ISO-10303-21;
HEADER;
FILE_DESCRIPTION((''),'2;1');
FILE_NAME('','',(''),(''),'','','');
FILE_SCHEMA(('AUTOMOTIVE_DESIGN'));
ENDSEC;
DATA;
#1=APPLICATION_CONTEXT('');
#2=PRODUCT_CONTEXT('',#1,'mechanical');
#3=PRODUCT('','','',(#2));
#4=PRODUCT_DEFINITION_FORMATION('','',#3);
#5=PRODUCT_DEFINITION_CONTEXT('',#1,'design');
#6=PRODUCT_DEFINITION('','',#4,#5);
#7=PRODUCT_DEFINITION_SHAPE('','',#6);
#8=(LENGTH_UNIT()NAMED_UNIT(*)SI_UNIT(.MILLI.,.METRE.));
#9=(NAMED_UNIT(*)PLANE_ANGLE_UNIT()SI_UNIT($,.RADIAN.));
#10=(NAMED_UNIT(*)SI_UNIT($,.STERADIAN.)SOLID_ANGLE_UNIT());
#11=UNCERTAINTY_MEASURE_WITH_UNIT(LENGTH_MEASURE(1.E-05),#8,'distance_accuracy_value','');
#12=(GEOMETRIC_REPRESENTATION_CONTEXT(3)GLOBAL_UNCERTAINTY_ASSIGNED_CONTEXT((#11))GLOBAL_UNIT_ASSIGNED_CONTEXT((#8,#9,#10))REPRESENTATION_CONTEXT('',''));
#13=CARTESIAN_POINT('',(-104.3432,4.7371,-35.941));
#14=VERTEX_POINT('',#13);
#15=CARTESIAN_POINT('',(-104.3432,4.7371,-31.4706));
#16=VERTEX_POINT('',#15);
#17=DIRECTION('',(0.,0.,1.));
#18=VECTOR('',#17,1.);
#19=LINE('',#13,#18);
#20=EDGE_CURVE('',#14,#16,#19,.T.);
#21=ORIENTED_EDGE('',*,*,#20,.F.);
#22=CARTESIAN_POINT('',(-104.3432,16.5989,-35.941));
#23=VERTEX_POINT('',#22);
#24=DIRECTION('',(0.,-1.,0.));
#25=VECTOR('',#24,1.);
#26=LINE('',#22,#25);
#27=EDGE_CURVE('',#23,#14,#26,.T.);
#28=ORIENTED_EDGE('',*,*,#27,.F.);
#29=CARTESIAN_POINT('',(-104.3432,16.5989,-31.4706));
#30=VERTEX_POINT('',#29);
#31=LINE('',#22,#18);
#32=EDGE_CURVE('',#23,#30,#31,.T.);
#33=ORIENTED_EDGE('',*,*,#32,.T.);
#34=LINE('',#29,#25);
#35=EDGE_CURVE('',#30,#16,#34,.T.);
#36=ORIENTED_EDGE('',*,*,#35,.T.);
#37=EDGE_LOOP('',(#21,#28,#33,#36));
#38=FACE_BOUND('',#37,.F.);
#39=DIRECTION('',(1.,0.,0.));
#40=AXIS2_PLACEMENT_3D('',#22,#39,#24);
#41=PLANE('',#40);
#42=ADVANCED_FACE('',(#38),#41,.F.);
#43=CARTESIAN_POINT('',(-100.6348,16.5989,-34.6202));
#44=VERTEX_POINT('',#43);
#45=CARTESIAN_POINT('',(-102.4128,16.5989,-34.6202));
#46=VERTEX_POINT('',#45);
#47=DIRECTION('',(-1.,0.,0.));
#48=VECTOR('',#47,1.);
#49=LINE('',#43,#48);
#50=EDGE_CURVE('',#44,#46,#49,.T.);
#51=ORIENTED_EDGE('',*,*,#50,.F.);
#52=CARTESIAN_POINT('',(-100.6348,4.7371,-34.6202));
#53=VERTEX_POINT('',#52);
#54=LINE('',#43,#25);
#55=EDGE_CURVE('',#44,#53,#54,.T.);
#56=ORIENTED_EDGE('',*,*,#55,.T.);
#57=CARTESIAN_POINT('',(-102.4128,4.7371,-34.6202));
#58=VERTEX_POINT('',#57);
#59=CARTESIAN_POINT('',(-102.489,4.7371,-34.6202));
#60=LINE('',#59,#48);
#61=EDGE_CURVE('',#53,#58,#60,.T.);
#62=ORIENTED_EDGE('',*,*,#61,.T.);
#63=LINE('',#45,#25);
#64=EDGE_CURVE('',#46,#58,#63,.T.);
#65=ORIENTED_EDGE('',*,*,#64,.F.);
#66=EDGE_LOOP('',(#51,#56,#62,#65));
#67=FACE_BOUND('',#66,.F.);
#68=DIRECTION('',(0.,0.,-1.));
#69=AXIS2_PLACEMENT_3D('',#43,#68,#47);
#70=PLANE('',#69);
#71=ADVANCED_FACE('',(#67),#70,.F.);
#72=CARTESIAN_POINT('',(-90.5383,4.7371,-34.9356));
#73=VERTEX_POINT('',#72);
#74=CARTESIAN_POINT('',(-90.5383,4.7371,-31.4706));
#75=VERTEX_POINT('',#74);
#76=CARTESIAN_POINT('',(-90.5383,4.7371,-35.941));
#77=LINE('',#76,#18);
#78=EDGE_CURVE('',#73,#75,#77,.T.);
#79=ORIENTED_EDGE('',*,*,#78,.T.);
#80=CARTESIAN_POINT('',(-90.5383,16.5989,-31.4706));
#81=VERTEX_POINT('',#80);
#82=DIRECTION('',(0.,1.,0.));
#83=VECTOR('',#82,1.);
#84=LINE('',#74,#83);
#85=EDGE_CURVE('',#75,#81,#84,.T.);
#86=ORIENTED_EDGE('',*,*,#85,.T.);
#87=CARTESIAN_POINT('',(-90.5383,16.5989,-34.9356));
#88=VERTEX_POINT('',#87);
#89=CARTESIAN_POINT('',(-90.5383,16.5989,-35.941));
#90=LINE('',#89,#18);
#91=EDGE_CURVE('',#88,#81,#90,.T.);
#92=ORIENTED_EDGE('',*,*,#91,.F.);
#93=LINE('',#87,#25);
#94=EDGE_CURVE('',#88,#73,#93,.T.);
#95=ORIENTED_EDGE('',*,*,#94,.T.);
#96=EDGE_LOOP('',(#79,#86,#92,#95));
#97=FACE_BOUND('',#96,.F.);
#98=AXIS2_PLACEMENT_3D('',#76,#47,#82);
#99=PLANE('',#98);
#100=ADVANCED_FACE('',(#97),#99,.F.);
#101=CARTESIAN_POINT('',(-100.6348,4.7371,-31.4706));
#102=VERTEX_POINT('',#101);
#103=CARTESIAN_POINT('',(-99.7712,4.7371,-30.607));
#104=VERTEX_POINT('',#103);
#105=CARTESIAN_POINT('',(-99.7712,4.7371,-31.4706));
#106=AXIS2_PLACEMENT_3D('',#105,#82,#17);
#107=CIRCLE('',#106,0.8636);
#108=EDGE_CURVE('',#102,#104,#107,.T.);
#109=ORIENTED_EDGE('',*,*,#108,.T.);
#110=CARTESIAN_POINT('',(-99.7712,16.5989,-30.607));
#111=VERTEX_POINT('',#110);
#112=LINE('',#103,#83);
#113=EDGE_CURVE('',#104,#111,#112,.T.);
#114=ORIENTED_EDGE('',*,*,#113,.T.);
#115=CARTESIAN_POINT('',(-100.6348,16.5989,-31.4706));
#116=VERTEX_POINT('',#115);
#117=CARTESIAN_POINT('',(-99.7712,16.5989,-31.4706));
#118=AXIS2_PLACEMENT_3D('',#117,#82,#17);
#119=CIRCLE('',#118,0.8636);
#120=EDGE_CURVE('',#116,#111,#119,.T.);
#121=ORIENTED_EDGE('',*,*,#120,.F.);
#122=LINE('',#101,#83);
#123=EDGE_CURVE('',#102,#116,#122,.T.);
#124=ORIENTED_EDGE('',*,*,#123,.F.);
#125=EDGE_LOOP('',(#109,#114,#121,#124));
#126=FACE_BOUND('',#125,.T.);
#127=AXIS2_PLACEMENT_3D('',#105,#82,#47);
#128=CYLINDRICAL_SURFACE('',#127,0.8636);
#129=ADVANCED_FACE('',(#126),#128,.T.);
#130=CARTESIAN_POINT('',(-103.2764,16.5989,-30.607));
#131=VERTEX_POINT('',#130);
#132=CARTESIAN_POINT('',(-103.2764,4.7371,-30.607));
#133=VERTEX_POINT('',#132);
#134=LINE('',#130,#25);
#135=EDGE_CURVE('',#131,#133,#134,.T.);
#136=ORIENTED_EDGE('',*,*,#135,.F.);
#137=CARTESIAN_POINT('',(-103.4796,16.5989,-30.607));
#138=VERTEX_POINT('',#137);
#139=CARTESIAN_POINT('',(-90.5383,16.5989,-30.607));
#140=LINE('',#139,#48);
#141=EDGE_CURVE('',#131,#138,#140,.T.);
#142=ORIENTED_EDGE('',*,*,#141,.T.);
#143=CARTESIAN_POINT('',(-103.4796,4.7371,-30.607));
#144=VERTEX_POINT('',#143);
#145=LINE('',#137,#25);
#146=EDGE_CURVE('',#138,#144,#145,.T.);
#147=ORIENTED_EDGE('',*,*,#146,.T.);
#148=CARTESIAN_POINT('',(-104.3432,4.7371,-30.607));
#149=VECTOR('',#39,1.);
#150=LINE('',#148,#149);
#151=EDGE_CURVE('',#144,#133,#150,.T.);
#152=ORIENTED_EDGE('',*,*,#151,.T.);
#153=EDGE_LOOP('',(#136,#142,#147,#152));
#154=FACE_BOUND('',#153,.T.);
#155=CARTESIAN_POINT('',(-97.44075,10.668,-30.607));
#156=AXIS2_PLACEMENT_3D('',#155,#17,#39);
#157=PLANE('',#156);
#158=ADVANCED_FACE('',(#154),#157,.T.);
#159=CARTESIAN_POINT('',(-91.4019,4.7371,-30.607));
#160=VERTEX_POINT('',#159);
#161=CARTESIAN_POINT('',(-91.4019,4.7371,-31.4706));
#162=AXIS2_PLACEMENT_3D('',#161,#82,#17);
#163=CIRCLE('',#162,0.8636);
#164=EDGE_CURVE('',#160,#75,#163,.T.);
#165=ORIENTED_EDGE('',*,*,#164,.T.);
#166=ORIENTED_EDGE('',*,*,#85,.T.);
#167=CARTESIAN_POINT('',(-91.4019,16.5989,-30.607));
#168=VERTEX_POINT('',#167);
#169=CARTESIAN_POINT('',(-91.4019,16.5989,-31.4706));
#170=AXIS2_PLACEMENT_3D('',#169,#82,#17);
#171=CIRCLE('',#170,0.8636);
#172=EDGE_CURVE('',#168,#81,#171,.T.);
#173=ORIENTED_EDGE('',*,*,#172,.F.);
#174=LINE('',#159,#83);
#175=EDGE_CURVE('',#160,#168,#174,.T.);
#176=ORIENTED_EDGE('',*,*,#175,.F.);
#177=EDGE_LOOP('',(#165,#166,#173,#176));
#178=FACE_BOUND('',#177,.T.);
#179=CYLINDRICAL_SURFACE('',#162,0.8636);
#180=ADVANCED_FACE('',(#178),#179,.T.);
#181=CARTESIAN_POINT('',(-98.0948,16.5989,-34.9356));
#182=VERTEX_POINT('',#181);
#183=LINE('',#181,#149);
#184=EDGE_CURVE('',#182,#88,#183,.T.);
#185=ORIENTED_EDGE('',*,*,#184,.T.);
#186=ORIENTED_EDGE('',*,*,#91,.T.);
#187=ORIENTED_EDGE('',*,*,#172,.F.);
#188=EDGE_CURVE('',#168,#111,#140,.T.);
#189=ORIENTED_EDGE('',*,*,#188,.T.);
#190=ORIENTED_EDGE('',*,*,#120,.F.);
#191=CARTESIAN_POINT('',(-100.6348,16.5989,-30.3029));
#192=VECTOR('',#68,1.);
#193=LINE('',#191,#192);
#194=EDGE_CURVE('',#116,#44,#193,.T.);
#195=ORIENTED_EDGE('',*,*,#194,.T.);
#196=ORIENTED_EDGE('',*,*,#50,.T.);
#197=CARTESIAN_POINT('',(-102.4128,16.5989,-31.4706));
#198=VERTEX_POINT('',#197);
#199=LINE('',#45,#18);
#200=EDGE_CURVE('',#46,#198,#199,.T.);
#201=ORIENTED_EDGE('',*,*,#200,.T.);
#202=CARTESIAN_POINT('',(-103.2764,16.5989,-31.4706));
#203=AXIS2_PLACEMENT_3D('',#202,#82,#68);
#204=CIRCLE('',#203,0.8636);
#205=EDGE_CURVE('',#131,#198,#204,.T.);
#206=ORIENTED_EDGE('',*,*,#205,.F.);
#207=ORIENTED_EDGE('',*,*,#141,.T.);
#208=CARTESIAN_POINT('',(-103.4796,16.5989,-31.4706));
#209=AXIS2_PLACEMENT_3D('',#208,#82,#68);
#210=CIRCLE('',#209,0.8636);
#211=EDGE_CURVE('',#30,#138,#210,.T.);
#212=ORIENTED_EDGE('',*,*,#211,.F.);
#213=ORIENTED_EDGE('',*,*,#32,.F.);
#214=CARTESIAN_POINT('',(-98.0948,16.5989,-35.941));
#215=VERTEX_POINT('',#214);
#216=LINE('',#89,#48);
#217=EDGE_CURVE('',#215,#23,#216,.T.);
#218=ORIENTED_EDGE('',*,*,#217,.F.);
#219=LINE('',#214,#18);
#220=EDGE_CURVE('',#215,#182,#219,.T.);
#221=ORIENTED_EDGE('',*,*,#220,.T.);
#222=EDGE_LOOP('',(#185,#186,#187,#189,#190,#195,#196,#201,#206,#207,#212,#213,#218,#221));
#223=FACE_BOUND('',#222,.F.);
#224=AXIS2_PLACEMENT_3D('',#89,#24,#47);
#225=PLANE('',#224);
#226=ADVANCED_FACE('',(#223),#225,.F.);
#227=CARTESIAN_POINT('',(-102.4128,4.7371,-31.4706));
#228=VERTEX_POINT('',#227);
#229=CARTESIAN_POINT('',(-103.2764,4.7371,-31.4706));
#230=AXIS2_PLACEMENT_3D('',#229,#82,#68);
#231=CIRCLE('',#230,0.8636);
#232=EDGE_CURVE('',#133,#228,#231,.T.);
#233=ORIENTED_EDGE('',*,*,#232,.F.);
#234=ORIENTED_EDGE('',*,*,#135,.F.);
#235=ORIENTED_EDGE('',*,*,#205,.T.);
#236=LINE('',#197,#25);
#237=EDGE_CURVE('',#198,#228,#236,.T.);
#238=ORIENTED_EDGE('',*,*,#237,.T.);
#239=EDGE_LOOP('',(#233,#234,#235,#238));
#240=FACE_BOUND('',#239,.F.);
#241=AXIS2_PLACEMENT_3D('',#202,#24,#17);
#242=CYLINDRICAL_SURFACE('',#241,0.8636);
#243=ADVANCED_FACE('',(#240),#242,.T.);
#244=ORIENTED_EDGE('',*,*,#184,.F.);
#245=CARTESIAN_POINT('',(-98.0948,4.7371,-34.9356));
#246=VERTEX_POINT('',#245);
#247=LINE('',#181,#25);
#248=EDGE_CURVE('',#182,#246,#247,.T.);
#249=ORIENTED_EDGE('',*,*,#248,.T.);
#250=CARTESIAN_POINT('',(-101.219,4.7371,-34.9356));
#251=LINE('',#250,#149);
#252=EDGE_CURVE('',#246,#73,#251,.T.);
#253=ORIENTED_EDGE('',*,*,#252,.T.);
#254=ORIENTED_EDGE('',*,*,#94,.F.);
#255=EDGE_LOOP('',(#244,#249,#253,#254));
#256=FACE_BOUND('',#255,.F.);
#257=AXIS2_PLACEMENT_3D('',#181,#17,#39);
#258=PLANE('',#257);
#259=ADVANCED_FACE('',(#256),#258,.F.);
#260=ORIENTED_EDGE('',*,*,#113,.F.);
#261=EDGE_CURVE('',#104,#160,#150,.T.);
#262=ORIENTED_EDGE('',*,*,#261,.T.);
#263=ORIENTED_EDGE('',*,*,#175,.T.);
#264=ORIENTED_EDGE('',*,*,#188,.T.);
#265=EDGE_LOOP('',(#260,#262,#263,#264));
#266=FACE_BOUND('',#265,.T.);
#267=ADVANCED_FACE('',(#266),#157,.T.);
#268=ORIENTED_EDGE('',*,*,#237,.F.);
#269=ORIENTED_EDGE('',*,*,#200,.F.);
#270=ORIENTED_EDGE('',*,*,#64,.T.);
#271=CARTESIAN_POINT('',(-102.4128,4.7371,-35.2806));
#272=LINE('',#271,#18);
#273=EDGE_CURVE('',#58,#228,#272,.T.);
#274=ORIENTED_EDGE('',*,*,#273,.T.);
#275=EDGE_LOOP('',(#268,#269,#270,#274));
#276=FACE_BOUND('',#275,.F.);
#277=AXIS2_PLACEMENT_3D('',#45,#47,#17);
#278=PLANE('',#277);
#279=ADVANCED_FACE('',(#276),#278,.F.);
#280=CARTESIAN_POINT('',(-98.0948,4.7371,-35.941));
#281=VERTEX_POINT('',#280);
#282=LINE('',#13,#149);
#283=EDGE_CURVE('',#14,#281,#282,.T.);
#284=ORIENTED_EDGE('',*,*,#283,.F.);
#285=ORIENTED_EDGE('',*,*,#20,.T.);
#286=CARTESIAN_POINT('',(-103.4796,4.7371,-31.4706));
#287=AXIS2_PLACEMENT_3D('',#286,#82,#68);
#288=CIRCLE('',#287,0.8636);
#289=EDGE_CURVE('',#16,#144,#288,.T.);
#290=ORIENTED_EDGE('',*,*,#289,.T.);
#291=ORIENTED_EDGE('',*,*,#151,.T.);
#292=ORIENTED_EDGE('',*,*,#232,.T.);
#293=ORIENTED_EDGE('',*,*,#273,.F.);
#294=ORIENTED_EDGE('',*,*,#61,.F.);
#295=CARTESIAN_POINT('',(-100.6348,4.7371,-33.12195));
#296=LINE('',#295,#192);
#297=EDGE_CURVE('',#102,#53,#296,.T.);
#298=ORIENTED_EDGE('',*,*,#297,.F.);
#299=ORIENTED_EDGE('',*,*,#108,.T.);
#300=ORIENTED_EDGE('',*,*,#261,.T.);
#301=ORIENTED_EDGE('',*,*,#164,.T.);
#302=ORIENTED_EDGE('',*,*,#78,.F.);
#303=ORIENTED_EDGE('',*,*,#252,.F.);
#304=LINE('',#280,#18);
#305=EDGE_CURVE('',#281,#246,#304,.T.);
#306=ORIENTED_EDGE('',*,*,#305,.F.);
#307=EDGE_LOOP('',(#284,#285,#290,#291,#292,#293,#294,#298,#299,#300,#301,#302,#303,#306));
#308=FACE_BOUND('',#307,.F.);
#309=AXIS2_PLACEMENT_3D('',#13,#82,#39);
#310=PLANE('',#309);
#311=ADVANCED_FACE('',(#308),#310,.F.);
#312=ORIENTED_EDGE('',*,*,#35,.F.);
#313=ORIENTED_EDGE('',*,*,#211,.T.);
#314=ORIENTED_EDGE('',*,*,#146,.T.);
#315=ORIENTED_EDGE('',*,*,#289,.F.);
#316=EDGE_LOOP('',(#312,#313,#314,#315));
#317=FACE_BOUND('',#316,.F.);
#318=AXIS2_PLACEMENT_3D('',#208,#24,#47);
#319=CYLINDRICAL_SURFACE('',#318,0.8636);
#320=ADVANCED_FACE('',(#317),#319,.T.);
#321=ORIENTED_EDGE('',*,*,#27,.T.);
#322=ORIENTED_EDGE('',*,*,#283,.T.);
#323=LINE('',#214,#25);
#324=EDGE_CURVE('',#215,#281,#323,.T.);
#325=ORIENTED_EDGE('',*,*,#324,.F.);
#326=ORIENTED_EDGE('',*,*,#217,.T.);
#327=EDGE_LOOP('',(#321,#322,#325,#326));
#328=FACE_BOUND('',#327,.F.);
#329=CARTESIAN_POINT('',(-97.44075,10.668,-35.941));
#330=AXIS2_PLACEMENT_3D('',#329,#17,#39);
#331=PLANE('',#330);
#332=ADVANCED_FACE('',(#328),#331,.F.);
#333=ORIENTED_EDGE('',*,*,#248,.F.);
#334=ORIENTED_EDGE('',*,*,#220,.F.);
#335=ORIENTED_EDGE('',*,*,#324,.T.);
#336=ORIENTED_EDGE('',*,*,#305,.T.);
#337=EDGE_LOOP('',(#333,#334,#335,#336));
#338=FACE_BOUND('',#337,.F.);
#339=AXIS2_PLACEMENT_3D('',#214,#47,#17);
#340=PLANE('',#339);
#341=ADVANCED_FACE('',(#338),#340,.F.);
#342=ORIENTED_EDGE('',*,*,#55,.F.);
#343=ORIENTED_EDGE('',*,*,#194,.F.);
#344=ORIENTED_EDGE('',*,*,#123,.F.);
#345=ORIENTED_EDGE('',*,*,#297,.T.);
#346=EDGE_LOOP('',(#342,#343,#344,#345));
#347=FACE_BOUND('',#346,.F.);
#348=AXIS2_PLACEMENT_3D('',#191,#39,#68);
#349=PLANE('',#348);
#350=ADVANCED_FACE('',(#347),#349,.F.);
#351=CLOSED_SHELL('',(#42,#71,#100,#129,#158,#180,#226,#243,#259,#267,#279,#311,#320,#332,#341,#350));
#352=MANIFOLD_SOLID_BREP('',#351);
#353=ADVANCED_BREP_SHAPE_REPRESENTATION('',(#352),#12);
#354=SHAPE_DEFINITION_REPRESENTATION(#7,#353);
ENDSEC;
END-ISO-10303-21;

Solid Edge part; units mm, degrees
sketch "Sketch1" plane through (-100.203, 10.668, -35.941) normal (0, 0, 1) x (-1, 0, 0)
  line L0 (4.1402, -5.9309) -> (4.1402, 5.9309)
  line L1 (4.1402, 5.9309) -> (-9.6647, 5.9309)
  line L2 (-9.6647, 5.9309) -> (-9.6647, -5.9309)
  line L3 (-9.6647, -5.9309) -> (4.1402, -5.9309)
extrude "Protrusion1" add sketch "Sketch1" along normal blind 5.334
sketch "Sketch2" plane through (-97.4407, 16.5989, -33.274) normal (0, 1, 0) x (-1, 0, 0)
  line L0 (4.9721, 2.9711) -> (3.1941, 2.9711)
  line L1 (3.1941, 2.9711) -> (3.1941, -1.3462)
  line L2 (3.1941, -1.3462) -> (4.9721, -1.3462)
  line L3 (4.9721, -1.3462) -> (4.9721, 2.9711)
extrude "Cutout1" cut sketch "Sketch2" against normal through all
sketch "Sketch3" plane through (-97.4407, 16.5989, -33.274) normal (0, 1, 0) x (-1, 0, 0)
  line L0 (0.6541, -1.6616) -> (-6.9024, -1.6616)
  line L1 (-6.9024, -1.6616) -> (-6.9024, -2.667)
  line L2 (-6.9024, -2.667) -> (0.6541, -2.667)
  line L3 (0.6541, -2.667) -> (0.6541, -1.6616)
extrude "Cutout2" cut sketch "Sketch3" against normal through all
fillet "Round_1" radius 0.8636 4 edges at (-104.3432, 10.668, -30.607) (-102.4128, 10.668, -30.607) (-100.6348, 10.668, -30.607) (-90.5383, 10.668, -30.607)
properties material "Gold"
